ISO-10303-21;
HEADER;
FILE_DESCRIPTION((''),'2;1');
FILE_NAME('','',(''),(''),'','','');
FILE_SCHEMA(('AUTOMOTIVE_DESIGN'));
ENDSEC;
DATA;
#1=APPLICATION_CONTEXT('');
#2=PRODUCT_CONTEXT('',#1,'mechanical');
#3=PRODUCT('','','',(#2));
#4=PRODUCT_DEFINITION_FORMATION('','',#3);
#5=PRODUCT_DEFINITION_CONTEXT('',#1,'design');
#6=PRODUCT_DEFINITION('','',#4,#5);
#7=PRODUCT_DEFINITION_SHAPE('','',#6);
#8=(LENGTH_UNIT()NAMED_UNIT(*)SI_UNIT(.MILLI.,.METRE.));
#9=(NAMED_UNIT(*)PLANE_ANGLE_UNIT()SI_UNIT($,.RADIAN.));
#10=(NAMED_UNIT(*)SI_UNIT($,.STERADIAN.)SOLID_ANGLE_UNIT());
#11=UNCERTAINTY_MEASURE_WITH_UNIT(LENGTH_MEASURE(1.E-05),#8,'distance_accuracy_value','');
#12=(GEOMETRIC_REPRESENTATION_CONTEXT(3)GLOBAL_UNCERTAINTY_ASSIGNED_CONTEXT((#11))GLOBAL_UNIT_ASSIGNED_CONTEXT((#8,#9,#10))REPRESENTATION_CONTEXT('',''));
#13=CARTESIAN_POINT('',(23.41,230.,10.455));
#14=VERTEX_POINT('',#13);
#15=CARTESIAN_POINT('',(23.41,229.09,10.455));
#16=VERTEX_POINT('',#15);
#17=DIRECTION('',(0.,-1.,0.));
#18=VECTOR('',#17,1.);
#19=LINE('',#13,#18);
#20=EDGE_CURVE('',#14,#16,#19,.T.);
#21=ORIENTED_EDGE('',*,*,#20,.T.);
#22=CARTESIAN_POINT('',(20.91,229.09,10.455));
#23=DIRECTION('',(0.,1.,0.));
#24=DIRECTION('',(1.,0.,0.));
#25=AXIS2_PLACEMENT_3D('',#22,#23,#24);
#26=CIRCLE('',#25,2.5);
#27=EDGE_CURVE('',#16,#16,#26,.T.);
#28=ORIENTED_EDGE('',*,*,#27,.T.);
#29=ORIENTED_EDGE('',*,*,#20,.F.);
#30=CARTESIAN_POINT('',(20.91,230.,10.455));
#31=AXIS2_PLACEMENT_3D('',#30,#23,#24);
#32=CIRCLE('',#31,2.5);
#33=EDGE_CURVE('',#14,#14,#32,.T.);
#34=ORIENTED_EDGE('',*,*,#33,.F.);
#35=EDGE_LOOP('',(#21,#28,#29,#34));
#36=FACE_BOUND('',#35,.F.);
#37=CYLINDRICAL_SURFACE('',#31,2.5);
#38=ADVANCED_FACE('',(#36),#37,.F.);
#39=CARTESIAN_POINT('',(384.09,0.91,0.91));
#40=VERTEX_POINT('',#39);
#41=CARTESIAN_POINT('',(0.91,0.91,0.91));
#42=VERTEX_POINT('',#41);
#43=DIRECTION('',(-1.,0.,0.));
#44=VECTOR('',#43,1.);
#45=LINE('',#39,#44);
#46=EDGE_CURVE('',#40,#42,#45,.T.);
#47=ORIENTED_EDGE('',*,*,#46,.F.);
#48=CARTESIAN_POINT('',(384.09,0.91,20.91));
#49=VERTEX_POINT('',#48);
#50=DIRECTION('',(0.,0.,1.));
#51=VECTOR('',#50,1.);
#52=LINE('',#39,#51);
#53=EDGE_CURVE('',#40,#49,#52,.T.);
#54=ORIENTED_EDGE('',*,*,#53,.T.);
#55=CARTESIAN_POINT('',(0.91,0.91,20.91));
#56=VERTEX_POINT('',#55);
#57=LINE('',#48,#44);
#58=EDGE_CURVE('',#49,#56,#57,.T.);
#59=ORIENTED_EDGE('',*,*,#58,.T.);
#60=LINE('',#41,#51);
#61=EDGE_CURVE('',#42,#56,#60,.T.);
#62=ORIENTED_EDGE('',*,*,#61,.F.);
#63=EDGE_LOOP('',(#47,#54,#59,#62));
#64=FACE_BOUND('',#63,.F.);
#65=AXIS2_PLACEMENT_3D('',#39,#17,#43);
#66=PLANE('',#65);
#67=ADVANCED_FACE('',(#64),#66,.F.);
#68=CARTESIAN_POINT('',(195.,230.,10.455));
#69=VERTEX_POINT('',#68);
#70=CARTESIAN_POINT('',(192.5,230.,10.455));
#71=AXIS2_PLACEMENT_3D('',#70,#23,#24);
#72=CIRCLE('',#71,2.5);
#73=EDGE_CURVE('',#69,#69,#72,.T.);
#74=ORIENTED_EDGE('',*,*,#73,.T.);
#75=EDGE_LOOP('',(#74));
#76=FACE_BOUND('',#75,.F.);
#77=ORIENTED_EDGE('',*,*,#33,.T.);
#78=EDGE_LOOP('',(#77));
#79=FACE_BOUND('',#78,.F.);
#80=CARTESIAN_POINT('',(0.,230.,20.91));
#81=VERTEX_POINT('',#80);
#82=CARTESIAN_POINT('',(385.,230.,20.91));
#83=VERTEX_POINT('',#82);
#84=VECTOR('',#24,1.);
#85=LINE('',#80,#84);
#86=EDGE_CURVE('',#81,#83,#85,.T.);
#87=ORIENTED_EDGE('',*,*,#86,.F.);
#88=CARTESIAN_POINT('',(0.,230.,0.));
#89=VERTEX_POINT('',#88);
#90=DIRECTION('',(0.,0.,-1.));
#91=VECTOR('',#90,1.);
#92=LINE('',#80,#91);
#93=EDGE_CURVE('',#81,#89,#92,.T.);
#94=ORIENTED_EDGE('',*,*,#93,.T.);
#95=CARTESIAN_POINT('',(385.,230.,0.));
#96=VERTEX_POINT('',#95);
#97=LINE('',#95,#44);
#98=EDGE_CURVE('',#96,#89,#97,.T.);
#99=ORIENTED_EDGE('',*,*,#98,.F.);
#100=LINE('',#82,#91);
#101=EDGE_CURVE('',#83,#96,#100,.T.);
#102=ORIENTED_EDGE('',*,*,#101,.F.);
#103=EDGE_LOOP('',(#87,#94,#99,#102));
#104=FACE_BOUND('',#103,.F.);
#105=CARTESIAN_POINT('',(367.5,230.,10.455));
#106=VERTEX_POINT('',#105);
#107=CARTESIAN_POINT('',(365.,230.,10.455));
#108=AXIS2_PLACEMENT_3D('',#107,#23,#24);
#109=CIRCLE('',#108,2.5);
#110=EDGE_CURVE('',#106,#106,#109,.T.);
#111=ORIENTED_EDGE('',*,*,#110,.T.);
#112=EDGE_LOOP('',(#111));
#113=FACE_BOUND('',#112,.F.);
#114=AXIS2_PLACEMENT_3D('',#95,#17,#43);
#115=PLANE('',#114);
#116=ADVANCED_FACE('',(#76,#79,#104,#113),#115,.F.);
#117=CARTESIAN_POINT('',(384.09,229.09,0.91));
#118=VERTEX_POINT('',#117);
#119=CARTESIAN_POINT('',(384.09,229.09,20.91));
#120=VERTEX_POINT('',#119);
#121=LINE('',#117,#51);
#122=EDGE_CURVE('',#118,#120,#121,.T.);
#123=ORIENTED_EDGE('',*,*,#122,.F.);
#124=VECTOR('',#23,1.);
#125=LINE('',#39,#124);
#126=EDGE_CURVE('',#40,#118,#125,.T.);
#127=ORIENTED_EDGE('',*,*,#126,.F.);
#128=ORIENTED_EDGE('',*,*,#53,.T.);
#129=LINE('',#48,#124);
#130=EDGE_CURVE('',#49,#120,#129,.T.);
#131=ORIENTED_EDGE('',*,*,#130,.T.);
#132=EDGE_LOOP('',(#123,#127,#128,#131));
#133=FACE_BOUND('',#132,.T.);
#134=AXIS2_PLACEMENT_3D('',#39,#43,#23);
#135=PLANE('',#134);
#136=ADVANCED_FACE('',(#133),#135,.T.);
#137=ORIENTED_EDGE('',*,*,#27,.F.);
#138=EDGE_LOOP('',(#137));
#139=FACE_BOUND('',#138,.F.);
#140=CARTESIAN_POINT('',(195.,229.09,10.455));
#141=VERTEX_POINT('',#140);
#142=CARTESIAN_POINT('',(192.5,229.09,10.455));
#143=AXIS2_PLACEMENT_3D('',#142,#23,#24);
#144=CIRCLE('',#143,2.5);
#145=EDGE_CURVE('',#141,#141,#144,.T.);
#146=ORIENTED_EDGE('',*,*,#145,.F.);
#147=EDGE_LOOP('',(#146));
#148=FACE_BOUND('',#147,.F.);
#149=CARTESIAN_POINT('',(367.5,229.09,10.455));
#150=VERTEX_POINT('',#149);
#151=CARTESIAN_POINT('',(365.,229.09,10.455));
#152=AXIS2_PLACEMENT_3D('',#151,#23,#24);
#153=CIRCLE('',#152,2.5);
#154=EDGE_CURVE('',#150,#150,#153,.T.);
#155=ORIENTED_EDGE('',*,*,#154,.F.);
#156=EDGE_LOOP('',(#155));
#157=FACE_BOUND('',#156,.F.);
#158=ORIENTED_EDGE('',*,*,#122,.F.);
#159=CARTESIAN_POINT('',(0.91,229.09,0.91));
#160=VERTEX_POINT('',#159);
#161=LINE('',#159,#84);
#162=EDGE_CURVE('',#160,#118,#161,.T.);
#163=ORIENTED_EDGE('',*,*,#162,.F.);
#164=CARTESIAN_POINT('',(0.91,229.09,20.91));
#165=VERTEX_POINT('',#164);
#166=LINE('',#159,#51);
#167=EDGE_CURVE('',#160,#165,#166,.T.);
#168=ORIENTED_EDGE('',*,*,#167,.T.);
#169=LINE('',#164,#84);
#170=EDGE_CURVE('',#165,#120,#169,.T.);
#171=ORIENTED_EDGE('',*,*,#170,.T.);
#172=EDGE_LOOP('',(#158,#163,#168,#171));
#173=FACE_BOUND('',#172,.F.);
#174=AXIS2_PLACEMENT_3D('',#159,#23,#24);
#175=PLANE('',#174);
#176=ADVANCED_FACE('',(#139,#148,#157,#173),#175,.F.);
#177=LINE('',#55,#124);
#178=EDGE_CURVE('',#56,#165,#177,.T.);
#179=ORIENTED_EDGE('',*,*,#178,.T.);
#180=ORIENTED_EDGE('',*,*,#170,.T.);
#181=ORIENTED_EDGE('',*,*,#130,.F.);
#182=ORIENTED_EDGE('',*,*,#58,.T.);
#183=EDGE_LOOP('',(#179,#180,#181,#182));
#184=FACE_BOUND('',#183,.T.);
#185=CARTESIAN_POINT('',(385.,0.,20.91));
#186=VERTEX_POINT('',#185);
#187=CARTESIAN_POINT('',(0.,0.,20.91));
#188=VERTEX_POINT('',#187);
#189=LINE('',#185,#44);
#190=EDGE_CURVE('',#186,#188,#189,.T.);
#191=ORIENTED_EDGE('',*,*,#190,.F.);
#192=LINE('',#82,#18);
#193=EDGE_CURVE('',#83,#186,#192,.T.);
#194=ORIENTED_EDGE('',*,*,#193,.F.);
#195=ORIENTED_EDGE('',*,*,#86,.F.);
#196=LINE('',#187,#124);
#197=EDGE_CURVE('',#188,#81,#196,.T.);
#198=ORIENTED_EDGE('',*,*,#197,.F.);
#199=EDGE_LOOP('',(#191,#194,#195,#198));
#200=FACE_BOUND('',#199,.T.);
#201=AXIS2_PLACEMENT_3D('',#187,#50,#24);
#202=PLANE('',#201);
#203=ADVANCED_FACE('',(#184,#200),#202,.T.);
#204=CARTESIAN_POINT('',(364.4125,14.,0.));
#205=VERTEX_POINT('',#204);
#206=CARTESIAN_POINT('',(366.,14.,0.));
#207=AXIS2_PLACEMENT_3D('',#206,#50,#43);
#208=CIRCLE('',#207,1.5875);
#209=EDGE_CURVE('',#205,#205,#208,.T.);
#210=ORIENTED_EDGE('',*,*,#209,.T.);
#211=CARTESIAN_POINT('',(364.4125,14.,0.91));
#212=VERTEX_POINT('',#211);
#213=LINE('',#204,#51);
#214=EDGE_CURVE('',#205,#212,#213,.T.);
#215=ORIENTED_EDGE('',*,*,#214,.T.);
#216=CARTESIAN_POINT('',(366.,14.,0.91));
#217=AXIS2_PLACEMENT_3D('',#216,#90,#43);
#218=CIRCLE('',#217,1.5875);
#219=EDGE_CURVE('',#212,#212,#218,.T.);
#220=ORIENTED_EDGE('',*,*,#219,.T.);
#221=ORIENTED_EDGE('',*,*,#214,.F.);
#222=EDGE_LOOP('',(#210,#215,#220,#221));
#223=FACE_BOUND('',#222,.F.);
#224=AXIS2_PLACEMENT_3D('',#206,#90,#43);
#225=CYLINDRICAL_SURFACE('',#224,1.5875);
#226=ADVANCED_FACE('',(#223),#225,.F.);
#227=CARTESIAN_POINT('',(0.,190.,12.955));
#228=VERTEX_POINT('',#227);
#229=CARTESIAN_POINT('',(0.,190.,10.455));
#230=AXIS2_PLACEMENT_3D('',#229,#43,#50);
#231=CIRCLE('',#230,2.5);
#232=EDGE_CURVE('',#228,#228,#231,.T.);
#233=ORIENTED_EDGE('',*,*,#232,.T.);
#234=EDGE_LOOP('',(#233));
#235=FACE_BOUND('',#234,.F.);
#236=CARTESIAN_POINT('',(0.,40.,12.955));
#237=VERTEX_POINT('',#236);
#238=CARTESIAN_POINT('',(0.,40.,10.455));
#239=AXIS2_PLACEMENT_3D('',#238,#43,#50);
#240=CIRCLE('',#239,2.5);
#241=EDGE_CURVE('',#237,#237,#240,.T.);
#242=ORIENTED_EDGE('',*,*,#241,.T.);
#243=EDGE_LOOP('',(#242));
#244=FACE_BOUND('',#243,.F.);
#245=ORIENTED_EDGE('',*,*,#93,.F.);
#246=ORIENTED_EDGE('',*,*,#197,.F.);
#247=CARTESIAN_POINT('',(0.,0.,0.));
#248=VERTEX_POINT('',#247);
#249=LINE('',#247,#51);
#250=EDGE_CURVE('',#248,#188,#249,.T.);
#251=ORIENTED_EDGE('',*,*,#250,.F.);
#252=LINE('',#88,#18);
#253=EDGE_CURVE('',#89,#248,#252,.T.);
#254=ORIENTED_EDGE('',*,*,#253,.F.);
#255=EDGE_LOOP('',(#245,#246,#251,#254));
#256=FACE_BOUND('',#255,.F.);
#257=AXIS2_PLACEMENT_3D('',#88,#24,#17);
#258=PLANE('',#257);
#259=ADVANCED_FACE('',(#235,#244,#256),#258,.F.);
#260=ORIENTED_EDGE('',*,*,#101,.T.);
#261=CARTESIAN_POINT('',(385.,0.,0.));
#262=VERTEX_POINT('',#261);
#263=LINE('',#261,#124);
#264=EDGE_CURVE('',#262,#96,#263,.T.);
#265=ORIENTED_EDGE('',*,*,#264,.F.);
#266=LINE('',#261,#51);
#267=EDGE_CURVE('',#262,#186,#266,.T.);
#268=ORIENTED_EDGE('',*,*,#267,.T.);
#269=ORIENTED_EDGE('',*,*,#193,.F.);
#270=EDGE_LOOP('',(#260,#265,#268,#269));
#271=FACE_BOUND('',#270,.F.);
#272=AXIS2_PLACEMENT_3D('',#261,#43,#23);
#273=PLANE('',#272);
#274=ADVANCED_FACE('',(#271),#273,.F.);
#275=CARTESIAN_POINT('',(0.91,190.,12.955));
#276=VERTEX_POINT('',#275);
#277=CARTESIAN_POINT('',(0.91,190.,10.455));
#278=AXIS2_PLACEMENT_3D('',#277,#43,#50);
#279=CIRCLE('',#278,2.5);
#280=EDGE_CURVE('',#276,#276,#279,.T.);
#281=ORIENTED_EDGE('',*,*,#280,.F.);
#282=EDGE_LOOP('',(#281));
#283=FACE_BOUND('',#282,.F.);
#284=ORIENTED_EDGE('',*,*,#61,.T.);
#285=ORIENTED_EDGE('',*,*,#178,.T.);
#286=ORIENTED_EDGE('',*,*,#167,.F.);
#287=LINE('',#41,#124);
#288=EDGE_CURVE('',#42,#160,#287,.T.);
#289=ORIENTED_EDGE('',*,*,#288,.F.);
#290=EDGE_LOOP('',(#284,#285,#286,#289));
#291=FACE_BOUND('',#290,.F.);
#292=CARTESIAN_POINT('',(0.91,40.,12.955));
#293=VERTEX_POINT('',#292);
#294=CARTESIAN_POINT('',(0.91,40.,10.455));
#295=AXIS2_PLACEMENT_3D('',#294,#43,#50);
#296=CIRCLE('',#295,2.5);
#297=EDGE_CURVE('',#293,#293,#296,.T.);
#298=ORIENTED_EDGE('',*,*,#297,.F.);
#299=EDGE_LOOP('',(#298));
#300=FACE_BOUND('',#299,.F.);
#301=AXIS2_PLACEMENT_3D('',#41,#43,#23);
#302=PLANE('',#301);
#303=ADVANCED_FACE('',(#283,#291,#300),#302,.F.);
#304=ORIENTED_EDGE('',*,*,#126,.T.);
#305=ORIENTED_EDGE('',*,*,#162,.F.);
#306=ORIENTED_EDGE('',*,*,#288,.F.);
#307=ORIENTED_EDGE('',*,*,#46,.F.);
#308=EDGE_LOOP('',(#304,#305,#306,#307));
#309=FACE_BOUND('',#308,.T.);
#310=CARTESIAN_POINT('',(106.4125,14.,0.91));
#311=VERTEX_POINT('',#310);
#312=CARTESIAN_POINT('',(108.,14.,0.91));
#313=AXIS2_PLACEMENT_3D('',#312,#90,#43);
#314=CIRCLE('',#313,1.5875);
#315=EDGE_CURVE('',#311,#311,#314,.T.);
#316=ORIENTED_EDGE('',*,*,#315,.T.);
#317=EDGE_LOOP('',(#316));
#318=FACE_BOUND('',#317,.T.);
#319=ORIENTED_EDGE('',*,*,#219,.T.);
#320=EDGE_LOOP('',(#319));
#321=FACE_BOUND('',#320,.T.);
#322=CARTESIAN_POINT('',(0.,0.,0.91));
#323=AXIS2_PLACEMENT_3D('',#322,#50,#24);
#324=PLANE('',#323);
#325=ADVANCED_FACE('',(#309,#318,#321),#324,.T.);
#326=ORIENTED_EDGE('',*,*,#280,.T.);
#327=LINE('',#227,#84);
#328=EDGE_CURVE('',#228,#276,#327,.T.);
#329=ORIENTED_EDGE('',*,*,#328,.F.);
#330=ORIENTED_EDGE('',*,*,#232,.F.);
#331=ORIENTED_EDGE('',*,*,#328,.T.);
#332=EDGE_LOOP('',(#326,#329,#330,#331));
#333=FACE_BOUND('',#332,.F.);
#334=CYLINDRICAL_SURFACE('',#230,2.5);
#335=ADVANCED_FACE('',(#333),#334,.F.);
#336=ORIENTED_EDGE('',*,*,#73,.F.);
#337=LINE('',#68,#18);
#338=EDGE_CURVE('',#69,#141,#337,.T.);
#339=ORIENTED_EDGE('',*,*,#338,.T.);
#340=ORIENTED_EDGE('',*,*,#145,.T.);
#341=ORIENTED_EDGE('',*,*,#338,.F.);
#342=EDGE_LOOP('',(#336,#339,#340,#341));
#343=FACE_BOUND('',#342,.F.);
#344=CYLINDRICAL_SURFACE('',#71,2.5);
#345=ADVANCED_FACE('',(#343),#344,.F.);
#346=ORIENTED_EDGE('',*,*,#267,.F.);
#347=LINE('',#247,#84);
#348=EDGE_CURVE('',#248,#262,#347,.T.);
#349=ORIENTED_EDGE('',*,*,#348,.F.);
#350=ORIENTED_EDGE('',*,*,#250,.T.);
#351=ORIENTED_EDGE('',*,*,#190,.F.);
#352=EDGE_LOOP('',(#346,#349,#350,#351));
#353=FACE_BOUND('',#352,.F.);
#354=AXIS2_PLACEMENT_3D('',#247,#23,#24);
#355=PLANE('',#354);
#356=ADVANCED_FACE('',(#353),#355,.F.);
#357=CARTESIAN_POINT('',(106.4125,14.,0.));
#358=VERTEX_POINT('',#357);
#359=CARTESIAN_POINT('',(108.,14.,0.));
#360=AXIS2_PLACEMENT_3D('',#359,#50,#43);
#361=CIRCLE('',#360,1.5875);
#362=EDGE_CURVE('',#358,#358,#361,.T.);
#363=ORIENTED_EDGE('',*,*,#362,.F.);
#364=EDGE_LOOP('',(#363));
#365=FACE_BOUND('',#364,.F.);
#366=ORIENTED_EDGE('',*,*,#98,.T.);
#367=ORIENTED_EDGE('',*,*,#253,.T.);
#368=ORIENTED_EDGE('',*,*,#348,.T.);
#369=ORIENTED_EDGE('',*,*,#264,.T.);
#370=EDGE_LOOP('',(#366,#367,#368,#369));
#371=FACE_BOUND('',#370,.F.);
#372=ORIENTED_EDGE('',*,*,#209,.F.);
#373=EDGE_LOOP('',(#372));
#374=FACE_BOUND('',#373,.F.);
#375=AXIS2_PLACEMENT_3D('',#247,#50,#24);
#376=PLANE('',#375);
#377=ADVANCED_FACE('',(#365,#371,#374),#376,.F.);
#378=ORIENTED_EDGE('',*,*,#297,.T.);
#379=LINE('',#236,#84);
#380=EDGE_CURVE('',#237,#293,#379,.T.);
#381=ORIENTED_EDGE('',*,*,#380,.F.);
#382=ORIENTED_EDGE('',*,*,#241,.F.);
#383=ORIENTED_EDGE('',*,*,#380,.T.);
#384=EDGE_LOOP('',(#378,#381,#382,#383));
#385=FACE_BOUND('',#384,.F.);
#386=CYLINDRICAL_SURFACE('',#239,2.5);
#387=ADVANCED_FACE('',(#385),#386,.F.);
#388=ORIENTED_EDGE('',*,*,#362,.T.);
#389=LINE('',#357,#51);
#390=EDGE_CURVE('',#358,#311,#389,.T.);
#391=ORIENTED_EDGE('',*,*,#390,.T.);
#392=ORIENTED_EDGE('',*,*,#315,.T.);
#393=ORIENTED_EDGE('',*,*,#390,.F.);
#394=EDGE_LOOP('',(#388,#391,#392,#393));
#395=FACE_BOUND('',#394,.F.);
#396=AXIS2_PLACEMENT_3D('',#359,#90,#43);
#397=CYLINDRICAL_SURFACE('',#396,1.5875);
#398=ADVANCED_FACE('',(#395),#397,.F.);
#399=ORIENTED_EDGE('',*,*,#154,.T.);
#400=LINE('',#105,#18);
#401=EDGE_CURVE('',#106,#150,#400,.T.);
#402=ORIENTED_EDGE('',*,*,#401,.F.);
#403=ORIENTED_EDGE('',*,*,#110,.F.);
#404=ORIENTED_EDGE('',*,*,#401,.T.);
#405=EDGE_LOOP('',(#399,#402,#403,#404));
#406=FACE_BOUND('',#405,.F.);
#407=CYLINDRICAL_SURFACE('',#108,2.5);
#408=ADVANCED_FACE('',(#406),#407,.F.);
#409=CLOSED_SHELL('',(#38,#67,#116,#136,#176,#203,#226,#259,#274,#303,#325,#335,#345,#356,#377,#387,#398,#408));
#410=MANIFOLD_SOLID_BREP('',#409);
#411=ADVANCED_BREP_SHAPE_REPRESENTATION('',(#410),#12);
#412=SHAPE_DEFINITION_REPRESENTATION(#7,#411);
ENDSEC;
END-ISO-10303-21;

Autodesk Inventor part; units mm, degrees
ref_plane "YZ Plane" through (0, 0, 0) normal (1, 0, 0) x (0, 1, 0)
sketch "Boceto1" plane through (0, 0, 0) normal (0, 0, 1) x (1, 0, 0)
  line L0 (0, 0) -> (385, 0)
  line L1 (385, 0) -> (385, 230)
  line L2 (385, 230) -> (0, 230)
  line L3 (0, 230) -> (0, 0)
  dimension "d0" = 385
  dimension "d1" = 230
extrude "Extrusión1" add sketch "Boceto1" along normal blind 0.91
sketch "Boceto2" plane through (0, 0, 0.91) normal (0, 0, 1) x (1, 0, 0)
  line L0 (385, 230) -> (0, 230) projected
  line L1 (0, 0) -> (0.76, 0)
  line L2 (0.91, 0.91) -> (0.91, 229.09)
  line L3 (0.91, 230) -> (0, 230)
  line L4 (0, 230) -> (0, 0)
  line L5 (0, 230) -> (0, 0) projected
  line L6 (385, 0) -> (385, 230) projected
  line L7 (0, 0) -> (385, 0)
  line L8 (385, 0) -> (385, 0.76)
  line L9 (384.09, 0.91) -> (0.91, 0.91)
  line L10 (0, 0.76) -> (0, 0)
  line L11 (0, 0) -> (385, 0) projected
  line L12 (385, 0) -> (384.24, 0)
  line L13 (384.09, 0.91) -> (384.09, 229.09)
  line L14 (384.24, 230) -> (385, 230)
  line L15 (385, 230) -> (385, 0)
  line L16 (385, 230) -> (0, 230)
  line L17 (0, 230) -> (0, 229.24)
  line L18 (0.91, 229.09) -> (384.09, 229.09)
  line L19 (385, 229.24) -> (385, 230)
  dimension "d31" = 0.91
  dimension "d32" = 0.91
  dimension "d33" = 0.91
  dimension "d34" = 0.91
extrude "Extrusión2" add sketch "Boceto2" along normal blind 20
sketch "Boceto3" plane through (0, 0, 0) normal (0, 0, -1) x (-1, 0, 0)
  line L0 (-385, 0) -> (-385, 230) projected
  line L1 (-385, 0) -> (-366, 0)
  line L2 (0, 0) -> (-385, 0) projected
  line L3 (-366, 0) -> (-366, 14)
  circle A0 centre (-366, 14) radius 1.5875
  line L4 (-366, 14) -> (-108, 14)
  circle A1 centre (-108, 14) radius 1.5875
  dimension "d10" = 19
  dimension "d11" = 14
  dimension "d12" = 3.175
  dimension "d13" = 258
  dimension "d14" = 3.175
extrude "Extrusión3" cut sketch "Boceto3" against normal through all
sketch "Boceto4" plane through (0, 230, 0) normal (0, 1, 0) x (1, 0, 0)
  line L0 (0, 0) -> (0, -20.91) construction
  line L1 (385, 0) -> (385, -20.91) construction
  circle A0 centre (20.91, -10.455) radius 2.5
  circle A1 centre (192.5, -10.455) radius 2.5
  circle A2 centre (365, -10.455) radius 2.5
  line L2 (0.91, -0.91) -> (0.91, -20.91) projected
  dimension "d20" = 5
  dimension "d21" = 5
  dimension "d22" = 5
  dimension "d35" = 20
  dimension "d36" = 20
ref_plane "Plano de trabajo1" through (1.52, 228.48, 0.76) normal (0, -1, 0) x (1, 0, 0)
extrude "Extrusión4" cut sketch "Boceto4" against normal up to surface (1.52 mm away)
sketch "Boceto5" plane through (0, 0, 0) normal (-1, 0, 0) x (0, 0, 1)
  line L0 (7.955, 230) -> (12.955, 230) construction
  line L1 (10.455, 230) -> (10.455, 0) construction
  line L2 (0, 0) -> (20.91, 0) construction
  line L3 (10.455, 230) -> (10.455, 190) construction
  line L4 (10.455, 0) -> (10.455, 40) construction
  circle A0 centre (10.455, 190) radius 2.5
  circle A1 centre (10.455, 40) radius 2.5
  dimension "d25" = 40
  dimension "d26" = 40
  dimension "d27" = 5
  dimension "d28" = 5
ref_plane "Plano de trabajo2" through (1.52, 1.52, 0.76) normal (1, 0, 0) x (0, 1, 0)
extrude "Extrusión5" cut sketch "Boceto5" against normal up to surface (1.52 mm away)
equation "\"d20\" = d22"
equation "\"d21\" = d22"
equation "\"d36\" = d35"
equation "\"d25\" = d26"
equation "\"d27\" = d28"
properties part number "Tapa_superior_izquierda" material "Acero AISI 1006 85 LC"
